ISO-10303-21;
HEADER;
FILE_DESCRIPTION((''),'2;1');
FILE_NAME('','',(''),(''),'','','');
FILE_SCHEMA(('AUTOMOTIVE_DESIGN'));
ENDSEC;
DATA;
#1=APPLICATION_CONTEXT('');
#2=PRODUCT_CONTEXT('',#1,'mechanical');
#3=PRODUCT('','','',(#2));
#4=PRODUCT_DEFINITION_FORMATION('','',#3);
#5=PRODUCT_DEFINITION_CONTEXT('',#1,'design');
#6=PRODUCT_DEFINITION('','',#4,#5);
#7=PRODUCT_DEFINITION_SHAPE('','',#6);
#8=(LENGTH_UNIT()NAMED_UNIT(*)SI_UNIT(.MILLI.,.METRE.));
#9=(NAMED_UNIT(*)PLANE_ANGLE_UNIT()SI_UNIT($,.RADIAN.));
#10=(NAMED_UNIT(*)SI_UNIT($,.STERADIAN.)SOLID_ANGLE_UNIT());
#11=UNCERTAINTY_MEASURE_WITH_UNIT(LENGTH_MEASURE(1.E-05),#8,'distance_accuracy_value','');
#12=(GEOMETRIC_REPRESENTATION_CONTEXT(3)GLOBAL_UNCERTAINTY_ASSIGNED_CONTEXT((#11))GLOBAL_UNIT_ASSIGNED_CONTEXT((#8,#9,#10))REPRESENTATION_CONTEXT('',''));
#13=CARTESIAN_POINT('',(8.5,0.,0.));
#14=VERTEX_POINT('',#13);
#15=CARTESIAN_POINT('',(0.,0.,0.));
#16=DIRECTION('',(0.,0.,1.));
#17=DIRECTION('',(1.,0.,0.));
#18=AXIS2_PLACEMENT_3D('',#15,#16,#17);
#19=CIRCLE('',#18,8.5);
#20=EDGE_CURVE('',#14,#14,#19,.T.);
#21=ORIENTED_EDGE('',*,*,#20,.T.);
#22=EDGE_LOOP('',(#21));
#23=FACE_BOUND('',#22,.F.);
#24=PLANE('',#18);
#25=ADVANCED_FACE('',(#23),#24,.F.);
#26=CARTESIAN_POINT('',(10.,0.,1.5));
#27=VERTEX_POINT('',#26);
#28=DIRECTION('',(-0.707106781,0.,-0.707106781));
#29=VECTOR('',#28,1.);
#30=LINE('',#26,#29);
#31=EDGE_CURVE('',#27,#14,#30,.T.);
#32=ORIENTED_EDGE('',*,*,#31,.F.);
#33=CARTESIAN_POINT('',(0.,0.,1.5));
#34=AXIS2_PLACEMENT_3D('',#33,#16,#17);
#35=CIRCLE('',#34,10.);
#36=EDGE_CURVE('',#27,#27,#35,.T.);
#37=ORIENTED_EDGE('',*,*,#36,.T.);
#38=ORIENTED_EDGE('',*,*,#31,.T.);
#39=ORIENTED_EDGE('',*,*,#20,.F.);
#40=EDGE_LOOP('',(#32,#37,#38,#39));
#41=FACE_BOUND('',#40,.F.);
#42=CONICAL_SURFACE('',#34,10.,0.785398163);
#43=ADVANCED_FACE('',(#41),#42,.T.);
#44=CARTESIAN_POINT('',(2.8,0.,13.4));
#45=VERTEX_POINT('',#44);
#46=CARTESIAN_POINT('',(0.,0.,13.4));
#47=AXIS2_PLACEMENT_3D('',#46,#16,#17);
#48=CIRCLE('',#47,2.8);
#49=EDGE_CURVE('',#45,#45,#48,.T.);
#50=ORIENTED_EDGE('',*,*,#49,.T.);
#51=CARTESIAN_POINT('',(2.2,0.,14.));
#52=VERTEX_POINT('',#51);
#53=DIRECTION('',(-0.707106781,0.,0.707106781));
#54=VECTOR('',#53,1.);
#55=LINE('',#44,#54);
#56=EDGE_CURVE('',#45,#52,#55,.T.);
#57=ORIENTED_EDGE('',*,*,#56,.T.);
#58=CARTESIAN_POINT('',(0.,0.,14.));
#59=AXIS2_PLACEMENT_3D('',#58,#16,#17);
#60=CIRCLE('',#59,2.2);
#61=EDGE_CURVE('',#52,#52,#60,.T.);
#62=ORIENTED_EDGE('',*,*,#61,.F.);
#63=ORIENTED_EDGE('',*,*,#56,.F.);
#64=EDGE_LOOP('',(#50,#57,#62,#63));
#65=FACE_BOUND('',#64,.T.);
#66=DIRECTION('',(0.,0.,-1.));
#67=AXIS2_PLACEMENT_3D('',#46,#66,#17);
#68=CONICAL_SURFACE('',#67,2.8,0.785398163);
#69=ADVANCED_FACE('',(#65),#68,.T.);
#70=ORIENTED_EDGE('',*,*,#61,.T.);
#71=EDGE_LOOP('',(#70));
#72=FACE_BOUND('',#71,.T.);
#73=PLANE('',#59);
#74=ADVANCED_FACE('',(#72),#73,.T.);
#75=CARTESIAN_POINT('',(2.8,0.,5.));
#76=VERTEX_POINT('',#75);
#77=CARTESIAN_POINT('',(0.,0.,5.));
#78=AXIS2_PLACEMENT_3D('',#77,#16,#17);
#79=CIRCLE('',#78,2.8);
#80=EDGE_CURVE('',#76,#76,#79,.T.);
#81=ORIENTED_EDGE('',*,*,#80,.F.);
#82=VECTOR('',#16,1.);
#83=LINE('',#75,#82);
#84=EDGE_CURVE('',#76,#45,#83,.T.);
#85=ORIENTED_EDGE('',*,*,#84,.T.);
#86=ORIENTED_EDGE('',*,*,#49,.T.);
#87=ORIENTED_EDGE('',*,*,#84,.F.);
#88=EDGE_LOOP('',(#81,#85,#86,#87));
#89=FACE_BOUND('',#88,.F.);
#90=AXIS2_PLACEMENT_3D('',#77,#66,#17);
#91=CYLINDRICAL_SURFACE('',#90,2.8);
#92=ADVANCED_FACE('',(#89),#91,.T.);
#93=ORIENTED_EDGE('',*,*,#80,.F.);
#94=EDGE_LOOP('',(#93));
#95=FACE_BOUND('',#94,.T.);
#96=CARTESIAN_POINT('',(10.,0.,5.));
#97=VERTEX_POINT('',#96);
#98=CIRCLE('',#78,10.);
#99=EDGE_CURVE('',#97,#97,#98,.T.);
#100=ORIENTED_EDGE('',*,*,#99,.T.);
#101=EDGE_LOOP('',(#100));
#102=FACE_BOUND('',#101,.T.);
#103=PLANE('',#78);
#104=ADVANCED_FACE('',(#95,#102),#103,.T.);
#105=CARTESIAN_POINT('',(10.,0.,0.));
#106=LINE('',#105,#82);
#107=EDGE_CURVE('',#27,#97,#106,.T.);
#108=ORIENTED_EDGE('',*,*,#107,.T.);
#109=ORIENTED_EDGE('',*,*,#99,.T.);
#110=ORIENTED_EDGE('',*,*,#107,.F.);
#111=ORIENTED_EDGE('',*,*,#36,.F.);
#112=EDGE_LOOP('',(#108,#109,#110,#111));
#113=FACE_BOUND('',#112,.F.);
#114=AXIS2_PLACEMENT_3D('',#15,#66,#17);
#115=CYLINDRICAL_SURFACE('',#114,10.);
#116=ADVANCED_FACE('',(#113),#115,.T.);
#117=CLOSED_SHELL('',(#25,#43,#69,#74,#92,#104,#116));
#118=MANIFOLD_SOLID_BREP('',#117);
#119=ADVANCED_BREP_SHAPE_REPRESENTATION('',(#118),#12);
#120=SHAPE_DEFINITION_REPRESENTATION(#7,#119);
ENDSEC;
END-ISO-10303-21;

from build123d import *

# Parameters (mm, degrees)
F0_R     = 10
F1_DEPTH = 5
F2_R     = 2.8
F3_DEPTH = 9
F4_SIZE  = 1.5
F5_SIZE  = 0.6


with BuildPart() as f1:
    # F0 (on Top) → F1 (new body)
    with BuildSketch(Plane.XY):
        Circle(F0_R)
    extrude(amount=F1_DEPTH)

    # F2 (on face) → F3 (join)
    with BuildSketch(Plane.XY.offset(5)):
        Circle(F2_R)
    extrude(amount=F3_DEPTH)

    # F4
    f4_edges = [f1.edges().sort_by_distance(p)[0] for p in [
        (-10, 0, 0),
    ]]
    chamfer(f4_edges, length=F4_SIZE)

    # F5
    f5_edges = [f1.edges().sort_by_distance(p)[0] for p in [
        (-2.8, 0, 14),
    ]]
    chamfer(f5_edges, length=F5_SIZE)


solid = f1.part
